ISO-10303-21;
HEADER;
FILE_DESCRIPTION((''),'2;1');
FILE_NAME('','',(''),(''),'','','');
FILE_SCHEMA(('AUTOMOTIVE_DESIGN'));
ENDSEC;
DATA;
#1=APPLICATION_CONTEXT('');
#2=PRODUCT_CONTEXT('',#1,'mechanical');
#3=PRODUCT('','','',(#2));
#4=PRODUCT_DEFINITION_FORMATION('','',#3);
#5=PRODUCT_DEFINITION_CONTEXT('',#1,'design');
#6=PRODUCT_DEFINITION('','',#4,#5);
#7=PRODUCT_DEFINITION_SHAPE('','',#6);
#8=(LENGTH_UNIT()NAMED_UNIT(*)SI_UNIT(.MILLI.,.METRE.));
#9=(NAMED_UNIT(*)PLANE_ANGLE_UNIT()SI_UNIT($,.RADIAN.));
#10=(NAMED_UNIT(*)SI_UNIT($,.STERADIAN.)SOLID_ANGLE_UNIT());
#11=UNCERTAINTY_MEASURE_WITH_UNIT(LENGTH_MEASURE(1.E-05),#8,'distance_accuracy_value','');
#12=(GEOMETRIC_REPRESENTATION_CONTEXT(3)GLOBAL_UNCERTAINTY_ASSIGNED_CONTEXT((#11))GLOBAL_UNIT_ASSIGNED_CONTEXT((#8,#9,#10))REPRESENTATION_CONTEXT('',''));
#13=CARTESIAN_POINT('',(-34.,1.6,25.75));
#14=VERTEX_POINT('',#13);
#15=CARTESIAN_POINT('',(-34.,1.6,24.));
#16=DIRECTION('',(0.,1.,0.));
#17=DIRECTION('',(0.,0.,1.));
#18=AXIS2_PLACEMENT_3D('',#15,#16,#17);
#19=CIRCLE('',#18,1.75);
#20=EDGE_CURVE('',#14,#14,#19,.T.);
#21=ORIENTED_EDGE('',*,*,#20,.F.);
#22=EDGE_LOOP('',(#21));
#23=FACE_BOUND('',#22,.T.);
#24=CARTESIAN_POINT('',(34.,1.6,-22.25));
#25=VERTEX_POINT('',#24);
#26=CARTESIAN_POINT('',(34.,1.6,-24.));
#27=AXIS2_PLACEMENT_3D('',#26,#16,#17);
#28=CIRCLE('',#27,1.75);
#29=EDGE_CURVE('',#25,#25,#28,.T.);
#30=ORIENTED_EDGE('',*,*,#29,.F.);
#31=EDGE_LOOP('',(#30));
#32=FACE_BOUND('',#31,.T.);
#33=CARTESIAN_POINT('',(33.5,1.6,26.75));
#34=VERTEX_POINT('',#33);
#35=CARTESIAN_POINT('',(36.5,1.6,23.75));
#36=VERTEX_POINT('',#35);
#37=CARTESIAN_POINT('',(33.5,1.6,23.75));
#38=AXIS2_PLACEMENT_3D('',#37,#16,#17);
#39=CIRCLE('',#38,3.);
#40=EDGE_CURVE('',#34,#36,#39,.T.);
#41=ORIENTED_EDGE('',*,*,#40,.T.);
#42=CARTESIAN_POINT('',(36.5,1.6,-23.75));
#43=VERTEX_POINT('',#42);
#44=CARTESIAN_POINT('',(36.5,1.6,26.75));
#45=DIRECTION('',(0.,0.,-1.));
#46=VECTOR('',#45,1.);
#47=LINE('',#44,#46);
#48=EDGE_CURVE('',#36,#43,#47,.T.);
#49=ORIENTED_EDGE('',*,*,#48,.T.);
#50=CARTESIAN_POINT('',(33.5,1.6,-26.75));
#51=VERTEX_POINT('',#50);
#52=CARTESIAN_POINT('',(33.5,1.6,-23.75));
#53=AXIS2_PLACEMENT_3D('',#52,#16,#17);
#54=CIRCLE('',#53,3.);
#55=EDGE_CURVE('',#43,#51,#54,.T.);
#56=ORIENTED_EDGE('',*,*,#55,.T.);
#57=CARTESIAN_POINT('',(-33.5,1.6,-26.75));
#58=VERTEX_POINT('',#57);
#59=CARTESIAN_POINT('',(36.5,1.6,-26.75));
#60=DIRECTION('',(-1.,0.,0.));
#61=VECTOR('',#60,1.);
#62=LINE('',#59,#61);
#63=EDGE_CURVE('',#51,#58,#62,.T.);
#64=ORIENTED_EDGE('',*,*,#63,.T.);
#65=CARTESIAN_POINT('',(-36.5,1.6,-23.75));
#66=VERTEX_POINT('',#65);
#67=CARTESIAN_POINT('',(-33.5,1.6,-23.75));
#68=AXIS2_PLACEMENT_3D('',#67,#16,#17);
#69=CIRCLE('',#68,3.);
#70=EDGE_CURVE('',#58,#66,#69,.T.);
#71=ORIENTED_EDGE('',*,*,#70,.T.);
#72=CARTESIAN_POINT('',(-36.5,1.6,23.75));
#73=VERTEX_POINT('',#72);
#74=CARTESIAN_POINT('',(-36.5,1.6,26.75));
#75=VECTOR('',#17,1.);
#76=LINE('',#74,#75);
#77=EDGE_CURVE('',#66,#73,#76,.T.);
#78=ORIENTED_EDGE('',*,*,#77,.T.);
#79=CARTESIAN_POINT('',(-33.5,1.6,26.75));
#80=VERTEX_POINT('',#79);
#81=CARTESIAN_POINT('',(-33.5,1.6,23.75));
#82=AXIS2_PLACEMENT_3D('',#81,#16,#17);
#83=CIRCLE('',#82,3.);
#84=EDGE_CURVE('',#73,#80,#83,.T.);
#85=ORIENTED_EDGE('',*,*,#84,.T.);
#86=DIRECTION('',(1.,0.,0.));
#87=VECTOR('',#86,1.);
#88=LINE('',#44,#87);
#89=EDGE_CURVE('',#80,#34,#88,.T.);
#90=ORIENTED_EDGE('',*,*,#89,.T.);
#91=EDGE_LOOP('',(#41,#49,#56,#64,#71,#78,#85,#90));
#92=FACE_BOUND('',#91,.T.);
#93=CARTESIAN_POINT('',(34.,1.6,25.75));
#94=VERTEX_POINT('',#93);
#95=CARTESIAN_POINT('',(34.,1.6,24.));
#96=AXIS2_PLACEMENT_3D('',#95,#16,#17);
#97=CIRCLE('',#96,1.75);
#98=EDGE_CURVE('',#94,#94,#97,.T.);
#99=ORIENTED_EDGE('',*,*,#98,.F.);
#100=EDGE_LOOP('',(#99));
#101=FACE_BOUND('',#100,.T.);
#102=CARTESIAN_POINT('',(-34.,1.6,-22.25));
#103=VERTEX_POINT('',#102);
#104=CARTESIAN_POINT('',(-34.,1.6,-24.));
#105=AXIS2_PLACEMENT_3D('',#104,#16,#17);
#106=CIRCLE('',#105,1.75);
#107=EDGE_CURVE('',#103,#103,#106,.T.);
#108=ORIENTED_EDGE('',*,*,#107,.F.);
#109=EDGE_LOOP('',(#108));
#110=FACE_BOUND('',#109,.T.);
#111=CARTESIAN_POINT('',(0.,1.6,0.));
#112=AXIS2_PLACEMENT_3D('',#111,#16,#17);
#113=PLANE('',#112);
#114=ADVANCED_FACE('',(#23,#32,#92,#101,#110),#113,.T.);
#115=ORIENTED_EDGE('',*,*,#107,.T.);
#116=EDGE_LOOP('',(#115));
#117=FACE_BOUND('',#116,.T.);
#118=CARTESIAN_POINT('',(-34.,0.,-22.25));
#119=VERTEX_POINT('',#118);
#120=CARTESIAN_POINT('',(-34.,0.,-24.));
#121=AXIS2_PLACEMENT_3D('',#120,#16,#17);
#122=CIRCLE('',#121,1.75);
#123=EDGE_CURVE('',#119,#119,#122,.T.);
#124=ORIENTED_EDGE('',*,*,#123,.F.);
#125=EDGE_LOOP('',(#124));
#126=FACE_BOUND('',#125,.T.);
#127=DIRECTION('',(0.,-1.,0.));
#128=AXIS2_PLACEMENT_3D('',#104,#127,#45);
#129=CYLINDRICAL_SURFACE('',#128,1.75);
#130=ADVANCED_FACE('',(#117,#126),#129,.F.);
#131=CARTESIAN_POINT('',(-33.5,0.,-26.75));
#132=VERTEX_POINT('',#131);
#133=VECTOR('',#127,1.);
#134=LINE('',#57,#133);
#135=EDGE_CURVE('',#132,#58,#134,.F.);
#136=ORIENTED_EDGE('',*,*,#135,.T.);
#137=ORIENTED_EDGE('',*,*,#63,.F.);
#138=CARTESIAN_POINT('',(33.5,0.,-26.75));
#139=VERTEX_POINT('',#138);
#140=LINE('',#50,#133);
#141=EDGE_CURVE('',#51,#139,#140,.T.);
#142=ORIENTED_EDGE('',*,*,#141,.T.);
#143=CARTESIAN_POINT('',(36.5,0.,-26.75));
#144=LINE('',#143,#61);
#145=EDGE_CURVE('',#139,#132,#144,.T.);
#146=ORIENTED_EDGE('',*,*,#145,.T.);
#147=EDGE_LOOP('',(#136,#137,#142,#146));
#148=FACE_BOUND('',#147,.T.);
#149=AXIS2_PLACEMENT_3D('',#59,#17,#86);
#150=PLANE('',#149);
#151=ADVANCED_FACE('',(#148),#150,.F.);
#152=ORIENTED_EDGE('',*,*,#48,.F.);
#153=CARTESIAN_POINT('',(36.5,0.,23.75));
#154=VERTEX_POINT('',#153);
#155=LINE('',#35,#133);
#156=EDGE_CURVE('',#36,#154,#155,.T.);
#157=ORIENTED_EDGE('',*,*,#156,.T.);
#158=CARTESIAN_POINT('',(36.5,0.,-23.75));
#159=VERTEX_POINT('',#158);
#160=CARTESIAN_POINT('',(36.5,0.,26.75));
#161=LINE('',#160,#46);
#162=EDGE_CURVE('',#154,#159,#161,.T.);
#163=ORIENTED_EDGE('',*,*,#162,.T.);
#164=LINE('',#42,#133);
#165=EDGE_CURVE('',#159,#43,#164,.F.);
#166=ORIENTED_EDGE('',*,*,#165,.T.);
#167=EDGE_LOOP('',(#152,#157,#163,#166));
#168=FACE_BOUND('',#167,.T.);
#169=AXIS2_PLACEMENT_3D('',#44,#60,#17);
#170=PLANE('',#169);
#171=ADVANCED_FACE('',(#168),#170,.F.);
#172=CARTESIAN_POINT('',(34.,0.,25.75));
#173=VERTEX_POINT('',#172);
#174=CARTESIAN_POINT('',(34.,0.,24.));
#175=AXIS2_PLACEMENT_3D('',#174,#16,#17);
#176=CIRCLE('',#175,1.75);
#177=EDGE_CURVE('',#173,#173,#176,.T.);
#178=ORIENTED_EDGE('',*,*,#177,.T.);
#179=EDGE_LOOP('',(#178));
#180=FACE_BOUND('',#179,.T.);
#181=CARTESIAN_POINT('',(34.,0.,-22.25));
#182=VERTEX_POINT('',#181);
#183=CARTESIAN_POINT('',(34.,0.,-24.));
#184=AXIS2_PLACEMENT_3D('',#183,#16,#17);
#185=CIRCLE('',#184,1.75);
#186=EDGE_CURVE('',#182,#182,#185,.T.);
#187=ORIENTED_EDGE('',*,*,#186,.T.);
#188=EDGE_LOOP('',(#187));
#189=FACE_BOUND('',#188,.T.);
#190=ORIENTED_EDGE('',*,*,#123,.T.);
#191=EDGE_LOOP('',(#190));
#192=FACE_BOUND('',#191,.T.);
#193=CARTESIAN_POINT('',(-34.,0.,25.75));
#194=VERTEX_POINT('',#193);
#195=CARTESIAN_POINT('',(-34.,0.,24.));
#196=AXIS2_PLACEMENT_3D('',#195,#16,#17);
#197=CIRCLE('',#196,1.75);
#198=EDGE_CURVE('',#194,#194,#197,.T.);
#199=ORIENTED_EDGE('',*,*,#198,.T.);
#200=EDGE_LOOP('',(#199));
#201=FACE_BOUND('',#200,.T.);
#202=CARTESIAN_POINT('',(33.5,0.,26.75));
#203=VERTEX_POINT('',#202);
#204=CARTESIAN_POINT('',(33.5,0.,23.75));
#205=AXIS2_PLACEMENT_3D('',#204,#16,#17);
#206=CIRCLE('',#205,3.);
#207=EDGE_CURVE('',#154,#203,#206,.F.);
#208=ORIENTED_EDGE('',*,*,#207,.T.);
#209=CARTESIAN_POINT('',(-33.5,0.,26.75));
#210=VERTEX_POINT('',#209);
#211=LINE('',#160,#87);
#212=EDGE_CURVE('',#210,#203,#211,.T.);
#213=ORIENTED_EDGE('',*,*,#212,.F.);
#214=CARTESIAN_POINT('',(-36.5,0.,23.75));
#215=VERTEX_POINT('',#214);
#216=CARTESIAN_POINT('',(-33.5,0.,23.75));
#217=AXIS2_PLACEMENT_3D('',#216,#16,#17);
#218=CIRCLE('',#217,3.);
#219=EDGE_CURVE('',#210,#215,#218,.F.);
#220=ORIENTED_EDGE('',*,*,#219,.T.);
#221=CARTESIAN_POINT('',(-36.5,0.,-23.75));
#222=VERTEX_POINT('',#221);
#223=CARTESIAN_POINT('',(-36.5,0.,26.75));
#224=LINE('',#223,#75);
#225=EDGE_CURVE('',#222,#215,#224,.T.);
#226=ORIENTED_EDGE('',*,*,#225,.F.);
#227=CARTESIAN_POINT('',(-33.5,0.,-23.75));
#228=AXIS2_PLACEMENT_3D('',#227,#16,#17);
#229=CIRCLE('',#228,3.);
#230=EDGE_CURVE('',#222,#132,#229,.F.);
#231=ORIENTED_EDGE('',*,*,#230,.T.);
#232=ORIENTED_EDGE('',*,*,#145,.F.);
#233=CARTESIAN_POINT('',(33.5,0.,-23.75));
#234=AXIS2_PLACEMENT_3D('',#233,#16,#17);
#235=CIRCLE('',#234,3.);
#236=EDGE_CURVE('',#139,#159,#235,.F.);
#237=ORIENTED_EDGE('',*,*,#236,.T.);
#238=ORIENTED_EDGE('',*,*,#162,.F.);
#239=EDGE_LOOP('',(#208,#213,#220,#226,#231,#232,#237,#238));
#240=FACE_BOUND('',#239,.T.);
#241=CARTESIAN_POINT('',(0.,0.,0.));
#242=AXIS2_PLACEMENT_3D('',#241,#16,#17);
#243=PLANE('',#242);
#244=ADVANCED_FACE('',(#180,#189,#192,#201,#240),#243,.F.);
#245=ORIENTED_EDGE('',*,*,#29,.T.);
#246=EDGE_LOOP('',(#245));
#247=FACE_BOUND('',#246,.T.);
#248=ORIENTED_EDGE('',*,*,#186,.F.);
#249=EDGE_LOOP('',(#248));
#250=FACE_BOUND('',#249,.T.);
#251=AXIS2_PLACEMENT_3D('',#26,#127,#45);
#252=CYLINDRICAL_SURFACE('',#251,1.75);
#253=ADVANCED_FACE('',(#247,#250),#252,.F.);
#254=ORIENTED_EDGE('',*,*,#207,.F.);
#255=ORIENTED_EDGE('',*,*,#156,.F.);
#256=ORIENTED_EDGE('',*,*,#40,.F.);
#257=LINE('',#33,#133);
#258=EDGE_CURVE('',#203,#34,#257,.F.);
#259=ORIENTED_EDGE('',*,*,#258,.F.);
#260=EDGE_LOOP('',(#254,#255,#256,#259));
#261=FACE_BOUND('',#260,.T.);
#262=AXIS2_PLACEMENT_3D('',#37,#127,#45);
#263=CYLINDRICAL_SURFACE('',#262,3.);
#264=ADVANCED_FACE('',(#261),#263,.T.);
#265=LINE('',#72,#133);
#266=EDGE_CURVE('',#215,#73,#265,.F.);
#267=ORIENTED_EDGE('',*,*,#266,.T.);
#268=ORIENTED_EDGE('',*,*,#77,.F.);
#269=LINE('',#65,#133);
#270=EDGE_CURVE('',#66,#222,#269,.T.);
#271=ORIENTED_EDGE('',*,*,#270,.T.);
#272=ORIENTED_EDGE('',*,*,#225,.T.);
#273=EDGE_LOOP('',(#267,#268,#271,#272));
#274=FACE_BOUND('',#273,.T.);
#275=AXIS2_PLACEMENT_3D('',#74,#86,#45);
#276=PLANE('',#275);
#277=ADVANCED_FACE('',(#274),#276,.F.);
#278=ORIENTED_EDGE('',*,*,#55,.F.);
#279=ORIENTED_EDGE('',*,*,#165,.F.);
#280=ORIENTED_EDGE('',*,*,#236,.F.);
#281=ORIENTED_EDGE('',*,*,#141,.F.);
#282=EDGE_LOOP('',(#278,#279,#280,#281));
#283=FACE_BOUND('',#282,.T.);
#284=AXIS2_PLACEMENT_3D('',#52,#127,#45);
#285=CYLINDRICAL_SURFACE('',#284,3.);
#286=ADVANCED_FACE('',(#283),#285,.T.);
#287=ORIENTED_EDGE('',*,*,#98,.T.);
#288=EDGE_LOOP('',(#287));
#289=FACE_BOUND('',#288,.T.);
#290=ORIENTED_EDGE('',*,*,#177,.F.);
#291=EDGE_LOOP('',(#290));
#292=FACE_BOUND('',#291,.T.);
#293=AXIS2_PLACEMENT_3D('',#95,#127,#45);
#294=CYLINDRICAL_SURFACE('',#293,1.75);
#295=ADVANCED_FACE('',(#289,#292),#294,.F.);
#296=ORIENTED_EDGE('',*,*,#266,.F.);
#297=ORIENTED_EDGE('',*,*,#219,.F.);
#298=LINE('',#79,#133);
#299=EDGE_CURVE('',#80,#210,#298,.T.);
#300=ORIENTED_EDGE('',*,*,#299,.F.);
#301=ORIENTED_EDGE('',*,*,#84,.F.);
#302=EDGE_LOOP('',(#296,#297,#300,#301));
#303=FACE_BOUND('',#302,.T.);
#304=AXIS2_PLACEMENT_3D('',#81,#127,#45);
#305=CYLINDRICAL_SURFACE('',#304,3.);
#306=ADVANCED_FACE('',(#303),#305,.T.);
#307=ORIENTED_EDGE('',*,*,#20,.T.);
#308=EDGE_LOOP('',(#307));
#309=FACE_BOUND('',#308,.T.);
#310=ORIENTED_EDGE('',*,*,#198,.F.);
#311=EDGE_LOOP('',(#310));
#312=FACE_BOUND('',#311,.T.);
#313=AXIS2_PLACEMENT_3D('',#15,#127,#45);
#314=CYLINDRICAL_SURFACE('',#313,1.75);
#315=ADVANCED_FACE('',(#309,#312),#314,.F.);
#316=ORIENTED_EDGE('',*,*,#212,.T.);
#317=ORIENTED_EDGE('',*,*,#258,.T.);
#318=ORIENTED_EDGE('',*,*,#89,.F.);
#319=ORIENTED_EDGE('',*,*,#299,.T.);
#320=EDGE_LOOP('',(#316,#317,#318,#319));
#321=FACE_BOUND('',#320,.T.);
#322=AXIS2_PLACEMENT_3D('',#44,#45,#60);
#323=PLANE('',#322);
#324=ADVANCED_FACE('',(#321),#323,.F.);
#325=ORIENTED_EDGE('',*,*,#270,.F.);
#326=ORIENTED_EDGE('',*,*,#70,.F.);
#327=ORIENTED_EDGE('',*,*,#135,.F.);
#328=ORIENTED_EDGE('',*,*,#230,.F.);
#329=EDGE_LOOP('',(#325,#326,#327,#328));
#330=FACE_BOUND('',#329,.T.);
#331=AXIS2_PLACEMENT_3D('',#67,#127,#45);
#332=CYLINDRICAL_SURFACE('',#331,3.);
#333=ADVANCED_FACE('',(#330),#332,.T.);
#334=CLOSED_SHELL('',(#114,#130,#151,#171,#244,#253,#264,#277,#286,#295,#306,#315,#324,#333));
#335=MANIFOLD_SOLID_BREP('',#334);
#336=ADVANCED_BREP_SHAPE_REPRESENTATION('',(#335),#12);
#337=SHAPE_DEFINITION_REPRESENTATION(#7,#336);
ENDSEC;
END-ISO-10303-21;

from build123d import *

# Parameters (mm, degrees)
SKETCH1_W           = 73
SKETCH1_H           = 53.5
SKETCH1_R           = 1.75
BOSS_EXTRUDE1_DEPTH = 1.6
FILLET1_R           = 3


with BuildPart() as part:
    # Sketch1 → Boss-Extrude1 (new body)
    with BuildSketch(Plane(origin=(0, 0, 0), x_dir=(1, 0, 0), z_dir=(0, 1, 0))):
        Rectangle(SKETCH1_W, SKETCH1_H)
        with Locations((-34, 24)):
            Circle(SKETCH1_R, mode=Mode.SUBTRACT)
        with Locations((34, 24)):
            Circle(SKETCH1_R, mode=Mode.SUBTRACT)
        with Locations((34, -24)):
            Circle(SKETCH1_R, mode=Mode.SUBTRACT)
        with Locations((-34, -24)):
            Circle(SKETCH1_R, mode=Mode.SUBTRACT)
    extrude(amount=BOSS_EXTRUDE1_DEPTH)

    # Fillet1
    fillet1_edges = [part.edges().sort_by_distance(p)[0] for p in [
        (-36.5, 0.8, -26.75),
        (36.5, 0.8, -26.75),
        (36.5, 0.8, 26.75),
        (-36.5, 0.8, 26.75),
    ]]
    fillet(fillet1_edges, radius=FILLET1_R)


solid = part.part
